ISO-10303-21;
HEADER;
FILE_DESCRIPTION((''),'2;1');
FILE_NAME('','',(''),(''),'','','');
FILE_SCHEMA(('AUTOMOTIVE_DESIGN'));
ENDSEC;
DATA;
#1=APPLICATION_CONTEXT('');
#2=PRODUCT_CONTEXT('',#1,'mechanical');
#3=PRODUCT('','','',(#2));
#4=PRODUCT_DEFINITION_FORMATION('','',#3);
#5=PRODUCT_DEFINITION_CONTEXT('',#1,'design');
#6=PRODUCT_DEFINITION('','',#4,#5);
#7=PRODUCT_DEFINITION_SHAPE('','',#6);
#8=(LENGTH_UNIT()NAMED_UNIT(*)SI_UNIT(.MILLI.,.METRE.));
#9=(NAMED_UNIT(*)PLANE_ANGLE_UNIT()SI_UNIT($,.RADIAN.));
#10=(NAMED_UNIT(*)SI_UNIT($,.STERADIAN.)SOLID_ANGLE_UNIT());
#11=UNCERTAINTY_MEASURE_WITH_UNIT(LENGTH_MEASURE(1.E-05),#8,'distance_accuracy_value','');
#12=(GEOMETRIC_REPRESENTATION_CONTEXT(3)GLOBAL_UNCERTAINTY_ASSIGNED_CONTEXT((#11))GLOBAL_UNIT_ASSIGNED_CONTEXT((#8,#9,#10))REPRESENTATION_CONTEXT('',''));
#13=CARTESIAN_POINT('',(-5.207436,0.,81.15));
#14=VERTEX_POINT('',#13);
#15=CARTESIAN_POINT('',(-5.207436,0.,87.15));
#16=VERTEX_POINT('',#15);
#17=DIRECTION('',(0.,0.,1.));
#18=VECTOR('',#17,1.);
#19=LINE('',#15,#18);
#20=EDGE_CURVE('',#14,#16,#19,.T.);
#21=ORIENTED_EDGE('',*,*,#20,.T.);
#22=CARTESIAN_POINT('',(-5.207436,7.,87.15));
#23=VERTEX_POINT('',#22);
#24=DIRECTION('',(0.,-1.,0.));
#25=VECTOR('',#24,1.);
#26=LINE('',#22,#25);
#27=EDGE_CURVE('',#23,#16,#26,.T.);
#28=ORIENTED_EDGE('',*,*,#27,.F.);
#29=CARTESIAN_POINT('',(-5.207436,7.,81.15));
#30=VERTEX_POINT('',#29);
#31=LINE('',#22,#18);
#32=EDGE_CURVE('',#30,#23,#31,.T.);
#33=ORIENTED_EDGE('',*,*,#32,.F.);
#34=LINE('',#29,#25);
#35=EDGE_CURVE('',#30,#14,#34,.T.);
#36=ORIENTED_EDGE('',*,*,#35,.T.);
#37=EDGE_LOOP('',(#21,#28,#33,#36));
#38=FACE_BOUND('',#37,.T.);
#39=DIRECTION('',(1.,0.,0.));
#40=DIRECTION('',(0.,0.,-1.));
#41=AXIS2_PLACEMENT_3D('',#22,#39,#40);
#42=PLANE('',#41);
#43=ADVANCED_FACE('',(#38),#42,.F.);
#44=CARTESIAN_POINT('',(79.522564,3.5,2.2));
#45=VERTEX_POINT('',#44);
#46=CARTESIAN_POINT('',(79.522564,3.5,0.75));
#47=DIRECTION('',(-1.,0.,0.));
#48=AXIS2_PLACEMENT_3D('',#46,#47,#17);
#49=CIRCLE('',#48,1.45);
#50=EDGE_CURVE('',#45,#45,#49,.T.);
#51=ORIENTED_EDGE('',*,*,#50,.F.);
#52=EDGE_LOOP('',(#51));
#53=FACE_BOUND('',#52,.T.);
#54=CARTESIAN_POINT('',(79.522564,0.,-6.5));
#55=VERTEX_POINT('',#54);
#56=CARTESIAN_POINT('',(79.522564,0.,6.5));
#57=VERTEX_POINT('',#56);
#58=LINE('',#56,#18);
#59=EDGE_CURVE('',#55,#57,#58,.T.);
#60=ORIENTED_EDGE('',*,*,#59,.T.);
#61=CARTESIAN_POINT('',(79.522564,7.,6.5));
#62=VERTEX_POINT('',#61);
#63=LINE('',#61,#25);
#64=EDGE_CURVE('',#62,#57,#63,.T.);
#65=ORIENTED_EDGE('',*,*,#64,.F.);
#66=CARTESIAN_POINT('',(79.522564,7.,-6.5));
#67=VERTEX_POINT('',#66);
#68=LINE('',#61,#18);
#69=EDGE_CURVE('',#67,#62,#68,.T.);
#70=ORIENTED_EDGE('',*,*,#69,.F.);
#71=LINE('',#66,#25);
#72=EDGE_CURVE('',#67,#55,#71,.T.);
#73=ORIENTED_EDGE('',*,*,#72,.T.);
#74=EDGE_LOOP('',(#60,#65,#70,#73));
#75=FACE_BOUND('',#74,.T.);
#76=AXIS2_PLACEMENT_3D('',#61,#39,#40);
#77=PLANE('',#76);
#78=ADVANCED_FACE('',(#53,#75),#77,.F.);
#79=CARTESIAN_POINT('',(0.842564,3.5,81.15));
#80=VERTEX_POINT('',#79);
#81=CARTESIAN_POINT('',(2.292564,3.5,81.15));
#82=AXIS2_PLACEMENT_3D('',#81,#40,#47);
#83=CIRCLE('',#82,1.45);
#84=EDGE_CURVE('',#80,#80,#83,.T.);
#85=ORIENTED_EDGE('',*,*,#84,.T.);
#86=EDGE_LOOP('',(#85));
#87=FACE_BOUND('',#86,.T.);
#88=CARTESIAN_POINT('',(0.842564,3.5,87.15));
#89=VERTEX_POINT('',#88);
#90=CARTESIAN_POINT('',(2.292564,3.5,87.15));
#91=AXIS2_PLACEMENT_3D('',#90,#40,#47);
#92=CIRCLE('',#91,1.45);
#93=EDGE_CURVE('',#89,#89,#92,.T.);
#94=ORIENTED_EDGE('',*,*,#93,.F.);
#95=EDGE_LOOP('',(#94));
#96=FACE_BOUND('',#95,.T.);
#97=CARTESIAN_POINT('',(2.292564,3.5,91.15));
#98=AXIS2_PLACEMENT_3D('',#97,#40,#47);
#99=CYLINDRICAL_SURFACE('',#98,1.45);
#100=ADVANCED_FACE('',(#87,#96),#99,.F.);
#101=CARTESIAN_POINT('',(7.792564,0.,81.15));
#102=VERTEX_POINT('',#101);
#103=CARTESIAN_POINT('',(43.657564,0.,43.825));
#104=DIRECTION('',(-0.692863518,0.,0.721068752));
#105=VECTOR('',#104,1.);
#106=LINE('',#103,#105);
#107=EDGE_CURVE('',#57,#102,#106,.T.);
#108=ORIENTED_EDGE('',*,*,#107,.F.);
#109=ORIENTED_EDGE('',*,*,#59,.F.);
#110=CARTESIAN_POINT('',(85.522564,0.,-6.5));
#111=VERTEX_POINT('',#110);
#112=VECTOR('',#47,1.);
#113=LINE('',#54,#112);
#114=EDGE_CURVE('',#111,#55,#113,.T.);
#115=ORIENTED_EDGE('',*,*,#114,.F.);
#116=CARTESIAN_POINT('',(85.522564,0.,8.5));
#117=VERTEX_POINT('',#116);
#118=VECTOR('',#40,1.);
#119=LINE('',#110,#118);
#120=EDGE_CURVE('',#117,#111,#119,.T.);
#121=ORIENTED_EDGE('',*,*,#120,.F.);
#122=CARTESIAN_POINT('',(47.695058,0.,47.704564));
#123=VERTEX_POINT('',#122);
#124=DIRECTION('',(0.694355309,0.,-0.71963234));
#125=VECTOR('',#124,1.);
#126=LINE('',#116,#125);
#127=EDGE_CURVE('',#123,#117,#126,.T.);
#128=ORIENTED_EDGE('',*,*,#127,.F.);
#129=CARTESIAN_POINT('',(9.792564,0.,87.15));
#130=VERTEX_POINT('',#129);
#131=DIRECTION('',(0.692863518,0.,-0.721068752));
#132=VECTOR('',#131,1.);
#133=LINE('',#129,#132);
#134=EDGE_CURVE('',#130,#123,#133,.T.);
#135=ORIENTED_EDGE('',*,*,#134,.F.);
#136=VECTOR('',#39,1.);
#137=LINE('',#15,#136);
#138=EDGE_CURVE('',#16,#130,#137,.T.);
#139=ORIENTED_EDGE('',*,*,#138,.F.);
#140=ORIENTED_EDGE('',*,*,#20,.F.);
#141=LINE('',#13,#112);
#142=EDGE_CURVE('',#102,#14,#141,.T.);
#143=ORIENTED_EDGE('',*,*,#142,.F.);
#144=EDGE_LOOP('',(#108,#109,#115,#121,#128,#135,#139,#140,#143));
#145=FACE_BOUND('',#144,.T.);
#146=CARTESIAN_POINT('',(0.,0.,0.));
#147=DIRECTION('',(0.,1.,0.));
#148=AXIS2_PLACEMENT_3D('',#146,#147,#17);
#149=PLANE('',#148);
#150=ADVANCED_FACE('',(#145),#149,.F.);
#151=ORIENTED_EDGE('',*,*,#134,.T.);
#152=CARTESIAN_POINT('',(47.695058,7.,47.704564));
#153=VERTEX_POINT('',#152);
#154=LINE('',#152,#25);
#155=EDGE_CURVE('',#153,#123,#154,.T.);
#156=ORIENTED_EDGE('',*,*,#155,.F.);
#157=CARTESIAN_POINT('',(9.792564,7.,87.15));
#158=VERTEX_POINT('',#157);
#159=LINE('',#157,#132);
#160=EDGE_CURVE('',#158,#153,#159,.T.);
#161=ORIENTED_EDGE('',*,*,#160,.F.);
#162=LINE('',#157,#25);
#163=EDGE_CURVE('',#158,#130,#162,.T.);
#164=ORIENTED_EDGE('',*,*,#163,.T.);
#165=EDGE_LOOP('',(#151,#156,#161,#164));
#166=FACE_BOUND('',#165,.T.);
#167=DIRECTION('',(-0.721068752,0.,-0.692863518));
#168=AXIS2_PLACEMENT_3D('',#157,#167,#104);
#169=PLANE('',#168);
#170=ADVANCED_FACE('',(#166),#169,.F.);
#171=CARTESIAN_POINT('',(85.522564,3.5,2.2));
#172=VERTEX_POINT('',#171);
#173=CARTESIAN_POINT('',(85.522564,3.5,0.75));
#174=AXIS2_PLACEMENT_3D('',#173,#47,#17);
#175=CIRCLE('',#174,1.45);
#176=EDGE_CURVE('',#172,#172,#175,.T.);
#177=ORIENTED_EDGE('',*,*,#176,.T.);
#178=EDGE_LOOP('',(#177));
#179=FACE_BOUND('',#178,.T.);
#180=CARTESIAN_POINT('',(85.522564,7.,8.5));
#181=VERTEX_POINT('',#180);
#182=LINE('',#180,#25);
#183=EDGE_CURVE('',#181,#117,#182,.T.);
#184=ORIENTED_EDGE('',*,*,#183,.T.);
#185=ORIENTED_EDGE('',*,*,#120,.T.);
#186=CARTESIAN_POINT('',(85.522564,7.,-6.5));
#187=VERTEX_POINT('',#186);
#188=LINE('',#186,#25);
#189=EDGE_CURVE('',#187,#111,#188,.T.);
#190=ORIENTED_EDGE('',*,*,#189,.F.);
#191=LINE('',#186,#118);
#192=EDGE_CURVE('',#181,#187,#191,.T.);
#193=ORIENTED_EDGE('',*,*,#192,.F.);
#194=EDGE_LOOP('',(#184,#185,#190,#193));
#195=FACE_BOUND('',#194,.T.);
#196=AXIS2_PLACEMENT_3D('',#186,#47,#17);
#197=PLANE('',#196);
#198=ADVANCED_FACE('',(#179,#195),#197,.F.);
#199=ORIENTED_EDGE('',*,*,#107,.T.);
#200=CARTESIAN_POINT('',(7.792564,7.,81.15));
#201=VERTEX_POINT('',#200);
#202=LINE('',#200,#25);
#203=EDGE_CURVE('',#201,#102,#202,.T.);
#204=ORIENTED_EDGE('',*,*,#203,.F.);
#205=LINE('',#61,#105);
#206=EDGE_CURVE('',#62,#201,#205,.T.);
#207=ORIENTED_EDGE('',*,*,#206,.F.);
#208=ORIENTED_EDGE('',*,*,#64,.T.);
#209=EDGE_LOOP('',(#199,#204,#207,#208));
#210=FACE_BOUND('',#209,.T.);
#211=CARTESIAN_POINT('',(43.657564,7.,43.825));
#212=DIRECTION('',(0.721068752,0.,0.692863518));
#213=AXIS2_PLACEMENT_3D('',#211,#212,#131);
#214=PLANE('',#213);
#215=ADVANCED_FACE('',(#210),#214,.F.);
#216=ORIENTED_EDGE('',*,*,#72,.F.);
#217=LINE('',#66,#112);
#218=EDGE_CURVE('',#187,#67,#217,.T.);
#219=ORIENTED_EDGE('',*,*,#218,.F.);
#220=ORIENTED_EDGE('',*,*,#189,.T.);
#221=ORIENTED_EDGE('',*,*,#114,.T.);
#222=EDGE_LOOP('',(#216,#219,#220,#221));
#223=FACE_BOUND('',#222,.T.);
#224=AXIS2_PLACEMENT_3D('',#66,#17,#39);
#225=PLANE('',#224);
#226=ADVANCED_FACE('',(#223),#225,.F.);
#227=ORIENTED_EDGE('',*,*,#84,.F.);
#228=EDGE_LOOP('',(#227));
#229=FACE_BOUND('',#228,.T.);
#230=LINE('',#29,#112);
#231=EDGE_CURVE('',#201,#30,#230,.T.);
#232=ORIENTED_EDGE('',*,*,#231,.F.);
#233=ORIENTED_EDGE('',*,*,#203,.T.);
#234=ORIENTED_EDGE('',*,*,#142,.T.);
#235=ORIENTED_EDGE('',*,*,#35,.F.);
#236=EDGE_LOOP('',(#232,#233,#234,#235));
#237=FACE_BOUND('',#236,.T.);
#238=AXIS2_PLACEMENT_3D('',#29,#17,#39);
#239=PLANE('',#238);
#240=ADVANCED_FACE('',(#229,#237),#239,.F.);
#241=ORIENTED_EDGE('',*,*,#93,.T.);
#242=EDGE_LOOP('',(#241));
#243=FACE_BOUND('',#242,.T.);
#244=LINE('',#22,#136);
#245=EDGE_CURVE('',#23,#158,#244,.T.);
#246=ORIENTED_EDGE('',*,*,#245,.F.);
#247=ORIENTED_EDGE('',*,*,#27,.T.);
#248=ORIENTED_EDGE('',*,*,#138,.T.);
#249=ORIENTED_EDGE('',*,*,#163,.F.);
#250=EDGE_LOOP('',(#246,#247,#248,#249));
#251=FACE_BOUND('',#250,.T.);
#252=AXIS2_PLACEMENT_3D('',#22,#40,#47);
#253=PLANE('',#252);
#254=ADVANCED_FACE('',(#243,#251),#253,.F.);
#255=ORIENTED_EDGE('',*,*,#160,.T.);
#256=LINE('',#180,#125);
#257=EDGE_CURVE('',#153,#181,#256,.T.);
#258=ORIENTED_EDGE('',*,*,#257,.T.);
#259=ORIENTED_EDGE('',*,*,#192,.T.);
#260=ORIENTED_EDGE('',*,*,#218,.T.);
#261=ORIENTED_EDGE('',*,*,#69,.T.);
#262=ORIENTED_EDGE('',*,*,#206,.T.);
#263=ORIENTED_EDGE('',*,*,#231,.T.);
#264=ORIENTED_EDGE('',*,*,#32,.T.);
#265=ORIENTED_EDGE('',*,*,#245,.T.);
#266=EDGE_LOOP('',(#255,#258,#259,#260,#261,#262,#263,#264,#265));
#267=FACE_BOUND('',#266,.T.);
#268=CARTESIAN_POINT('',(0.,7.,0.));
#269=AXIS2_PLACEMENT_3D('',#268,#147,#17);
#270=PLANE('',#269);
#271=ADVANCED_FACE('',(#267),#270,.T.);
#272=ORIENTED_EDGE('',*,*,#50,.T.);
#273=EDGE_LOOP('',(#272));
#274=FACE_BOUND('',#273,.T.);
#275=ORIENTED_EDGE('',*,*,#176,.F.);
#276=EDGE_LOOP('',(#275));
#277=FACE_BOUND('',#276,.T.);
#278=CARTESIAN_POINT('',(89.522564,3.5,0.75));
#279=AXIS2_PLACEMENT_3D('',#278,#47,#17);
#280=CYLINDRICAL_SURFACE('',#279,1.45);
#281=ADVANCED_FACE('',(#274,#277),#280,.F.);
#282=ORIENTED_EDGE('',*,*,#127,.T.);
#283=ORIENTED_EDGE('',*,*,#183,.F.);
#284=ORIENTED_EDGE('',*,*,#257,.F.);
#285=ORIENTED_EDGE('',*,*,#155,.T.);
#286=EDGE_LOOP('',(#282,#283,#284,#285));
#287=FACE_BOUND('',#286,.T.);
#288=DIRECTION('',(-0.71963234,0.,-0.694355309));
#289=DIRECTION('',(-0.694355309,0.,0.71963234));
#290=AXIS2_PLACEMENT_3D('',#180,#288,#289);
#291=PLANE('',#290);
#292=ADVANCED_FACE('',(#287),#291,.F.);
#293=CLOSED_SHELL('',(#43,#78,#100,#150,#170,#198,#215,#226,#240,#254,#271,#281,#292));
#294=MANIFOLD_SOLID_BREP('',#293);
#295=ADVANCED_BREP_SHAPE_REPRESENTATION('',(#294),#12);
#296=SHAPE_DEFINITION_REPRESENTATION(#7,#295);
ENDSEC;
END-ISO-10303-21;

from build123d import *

# Parameters (mm, degrees)
BOSS_EXTRUDE1_DEPTH = 7
SKETCH14_R          = 1.45
CUT_EXTRUDE1_DEPTH  = 10
SKETCH15_R          = 1.45
CUT_EXTRUDE2_DEPTH  = 10


with BuildPart() as part:
    # Sketch12 → Boss-Extrude1 (new body)
    with BuildSketch(Plane(origin=(0, 0, 0), x_dir=(1, 0, 0), z_dir=(0, 1, 0))):
        Polygon((85.522563955, 6.5), (85.522563955, -8.5), (47.695057641, -47.704563591), (9.792563955, -87.15), (-5.207436045, -87.15), (-5.207436045, -81.15), (7.792563955, -81.15), (43.657563955, -43.825), (79.522563955, -6.5), (79.522563955, 6.5), align=None)
    extrude(amount=BOSS_EXTRUDE1_DEPTH)

    # Sketch14 → Cut-Extrude1 (cut)
    with BuildSketch(Plane(origin=(0, 0, 81.15), x_dir=(-1, 0, 0), z_dir=(0, 0, -1))):
        with Locations((-2.292563955, 3.5)):
            Circle(SKETCH14_R)
    extrude(amount=-CUT_EXTRUDE1_DEPTH, mode=Mode.SUBTRACT)

    # Sketch15 → Cut-Extrude2 (cut)
    with BuildSketch(Plane.ZY.offset(-79.522563955)):
        with Locations((0.75, 3.5)):
            Circle(SKETCH15_R)
    extrude(amount=-CUT_EXTRUDE2_DEPTH, mode=Mode.SUBTRACT)


solid = part.part
